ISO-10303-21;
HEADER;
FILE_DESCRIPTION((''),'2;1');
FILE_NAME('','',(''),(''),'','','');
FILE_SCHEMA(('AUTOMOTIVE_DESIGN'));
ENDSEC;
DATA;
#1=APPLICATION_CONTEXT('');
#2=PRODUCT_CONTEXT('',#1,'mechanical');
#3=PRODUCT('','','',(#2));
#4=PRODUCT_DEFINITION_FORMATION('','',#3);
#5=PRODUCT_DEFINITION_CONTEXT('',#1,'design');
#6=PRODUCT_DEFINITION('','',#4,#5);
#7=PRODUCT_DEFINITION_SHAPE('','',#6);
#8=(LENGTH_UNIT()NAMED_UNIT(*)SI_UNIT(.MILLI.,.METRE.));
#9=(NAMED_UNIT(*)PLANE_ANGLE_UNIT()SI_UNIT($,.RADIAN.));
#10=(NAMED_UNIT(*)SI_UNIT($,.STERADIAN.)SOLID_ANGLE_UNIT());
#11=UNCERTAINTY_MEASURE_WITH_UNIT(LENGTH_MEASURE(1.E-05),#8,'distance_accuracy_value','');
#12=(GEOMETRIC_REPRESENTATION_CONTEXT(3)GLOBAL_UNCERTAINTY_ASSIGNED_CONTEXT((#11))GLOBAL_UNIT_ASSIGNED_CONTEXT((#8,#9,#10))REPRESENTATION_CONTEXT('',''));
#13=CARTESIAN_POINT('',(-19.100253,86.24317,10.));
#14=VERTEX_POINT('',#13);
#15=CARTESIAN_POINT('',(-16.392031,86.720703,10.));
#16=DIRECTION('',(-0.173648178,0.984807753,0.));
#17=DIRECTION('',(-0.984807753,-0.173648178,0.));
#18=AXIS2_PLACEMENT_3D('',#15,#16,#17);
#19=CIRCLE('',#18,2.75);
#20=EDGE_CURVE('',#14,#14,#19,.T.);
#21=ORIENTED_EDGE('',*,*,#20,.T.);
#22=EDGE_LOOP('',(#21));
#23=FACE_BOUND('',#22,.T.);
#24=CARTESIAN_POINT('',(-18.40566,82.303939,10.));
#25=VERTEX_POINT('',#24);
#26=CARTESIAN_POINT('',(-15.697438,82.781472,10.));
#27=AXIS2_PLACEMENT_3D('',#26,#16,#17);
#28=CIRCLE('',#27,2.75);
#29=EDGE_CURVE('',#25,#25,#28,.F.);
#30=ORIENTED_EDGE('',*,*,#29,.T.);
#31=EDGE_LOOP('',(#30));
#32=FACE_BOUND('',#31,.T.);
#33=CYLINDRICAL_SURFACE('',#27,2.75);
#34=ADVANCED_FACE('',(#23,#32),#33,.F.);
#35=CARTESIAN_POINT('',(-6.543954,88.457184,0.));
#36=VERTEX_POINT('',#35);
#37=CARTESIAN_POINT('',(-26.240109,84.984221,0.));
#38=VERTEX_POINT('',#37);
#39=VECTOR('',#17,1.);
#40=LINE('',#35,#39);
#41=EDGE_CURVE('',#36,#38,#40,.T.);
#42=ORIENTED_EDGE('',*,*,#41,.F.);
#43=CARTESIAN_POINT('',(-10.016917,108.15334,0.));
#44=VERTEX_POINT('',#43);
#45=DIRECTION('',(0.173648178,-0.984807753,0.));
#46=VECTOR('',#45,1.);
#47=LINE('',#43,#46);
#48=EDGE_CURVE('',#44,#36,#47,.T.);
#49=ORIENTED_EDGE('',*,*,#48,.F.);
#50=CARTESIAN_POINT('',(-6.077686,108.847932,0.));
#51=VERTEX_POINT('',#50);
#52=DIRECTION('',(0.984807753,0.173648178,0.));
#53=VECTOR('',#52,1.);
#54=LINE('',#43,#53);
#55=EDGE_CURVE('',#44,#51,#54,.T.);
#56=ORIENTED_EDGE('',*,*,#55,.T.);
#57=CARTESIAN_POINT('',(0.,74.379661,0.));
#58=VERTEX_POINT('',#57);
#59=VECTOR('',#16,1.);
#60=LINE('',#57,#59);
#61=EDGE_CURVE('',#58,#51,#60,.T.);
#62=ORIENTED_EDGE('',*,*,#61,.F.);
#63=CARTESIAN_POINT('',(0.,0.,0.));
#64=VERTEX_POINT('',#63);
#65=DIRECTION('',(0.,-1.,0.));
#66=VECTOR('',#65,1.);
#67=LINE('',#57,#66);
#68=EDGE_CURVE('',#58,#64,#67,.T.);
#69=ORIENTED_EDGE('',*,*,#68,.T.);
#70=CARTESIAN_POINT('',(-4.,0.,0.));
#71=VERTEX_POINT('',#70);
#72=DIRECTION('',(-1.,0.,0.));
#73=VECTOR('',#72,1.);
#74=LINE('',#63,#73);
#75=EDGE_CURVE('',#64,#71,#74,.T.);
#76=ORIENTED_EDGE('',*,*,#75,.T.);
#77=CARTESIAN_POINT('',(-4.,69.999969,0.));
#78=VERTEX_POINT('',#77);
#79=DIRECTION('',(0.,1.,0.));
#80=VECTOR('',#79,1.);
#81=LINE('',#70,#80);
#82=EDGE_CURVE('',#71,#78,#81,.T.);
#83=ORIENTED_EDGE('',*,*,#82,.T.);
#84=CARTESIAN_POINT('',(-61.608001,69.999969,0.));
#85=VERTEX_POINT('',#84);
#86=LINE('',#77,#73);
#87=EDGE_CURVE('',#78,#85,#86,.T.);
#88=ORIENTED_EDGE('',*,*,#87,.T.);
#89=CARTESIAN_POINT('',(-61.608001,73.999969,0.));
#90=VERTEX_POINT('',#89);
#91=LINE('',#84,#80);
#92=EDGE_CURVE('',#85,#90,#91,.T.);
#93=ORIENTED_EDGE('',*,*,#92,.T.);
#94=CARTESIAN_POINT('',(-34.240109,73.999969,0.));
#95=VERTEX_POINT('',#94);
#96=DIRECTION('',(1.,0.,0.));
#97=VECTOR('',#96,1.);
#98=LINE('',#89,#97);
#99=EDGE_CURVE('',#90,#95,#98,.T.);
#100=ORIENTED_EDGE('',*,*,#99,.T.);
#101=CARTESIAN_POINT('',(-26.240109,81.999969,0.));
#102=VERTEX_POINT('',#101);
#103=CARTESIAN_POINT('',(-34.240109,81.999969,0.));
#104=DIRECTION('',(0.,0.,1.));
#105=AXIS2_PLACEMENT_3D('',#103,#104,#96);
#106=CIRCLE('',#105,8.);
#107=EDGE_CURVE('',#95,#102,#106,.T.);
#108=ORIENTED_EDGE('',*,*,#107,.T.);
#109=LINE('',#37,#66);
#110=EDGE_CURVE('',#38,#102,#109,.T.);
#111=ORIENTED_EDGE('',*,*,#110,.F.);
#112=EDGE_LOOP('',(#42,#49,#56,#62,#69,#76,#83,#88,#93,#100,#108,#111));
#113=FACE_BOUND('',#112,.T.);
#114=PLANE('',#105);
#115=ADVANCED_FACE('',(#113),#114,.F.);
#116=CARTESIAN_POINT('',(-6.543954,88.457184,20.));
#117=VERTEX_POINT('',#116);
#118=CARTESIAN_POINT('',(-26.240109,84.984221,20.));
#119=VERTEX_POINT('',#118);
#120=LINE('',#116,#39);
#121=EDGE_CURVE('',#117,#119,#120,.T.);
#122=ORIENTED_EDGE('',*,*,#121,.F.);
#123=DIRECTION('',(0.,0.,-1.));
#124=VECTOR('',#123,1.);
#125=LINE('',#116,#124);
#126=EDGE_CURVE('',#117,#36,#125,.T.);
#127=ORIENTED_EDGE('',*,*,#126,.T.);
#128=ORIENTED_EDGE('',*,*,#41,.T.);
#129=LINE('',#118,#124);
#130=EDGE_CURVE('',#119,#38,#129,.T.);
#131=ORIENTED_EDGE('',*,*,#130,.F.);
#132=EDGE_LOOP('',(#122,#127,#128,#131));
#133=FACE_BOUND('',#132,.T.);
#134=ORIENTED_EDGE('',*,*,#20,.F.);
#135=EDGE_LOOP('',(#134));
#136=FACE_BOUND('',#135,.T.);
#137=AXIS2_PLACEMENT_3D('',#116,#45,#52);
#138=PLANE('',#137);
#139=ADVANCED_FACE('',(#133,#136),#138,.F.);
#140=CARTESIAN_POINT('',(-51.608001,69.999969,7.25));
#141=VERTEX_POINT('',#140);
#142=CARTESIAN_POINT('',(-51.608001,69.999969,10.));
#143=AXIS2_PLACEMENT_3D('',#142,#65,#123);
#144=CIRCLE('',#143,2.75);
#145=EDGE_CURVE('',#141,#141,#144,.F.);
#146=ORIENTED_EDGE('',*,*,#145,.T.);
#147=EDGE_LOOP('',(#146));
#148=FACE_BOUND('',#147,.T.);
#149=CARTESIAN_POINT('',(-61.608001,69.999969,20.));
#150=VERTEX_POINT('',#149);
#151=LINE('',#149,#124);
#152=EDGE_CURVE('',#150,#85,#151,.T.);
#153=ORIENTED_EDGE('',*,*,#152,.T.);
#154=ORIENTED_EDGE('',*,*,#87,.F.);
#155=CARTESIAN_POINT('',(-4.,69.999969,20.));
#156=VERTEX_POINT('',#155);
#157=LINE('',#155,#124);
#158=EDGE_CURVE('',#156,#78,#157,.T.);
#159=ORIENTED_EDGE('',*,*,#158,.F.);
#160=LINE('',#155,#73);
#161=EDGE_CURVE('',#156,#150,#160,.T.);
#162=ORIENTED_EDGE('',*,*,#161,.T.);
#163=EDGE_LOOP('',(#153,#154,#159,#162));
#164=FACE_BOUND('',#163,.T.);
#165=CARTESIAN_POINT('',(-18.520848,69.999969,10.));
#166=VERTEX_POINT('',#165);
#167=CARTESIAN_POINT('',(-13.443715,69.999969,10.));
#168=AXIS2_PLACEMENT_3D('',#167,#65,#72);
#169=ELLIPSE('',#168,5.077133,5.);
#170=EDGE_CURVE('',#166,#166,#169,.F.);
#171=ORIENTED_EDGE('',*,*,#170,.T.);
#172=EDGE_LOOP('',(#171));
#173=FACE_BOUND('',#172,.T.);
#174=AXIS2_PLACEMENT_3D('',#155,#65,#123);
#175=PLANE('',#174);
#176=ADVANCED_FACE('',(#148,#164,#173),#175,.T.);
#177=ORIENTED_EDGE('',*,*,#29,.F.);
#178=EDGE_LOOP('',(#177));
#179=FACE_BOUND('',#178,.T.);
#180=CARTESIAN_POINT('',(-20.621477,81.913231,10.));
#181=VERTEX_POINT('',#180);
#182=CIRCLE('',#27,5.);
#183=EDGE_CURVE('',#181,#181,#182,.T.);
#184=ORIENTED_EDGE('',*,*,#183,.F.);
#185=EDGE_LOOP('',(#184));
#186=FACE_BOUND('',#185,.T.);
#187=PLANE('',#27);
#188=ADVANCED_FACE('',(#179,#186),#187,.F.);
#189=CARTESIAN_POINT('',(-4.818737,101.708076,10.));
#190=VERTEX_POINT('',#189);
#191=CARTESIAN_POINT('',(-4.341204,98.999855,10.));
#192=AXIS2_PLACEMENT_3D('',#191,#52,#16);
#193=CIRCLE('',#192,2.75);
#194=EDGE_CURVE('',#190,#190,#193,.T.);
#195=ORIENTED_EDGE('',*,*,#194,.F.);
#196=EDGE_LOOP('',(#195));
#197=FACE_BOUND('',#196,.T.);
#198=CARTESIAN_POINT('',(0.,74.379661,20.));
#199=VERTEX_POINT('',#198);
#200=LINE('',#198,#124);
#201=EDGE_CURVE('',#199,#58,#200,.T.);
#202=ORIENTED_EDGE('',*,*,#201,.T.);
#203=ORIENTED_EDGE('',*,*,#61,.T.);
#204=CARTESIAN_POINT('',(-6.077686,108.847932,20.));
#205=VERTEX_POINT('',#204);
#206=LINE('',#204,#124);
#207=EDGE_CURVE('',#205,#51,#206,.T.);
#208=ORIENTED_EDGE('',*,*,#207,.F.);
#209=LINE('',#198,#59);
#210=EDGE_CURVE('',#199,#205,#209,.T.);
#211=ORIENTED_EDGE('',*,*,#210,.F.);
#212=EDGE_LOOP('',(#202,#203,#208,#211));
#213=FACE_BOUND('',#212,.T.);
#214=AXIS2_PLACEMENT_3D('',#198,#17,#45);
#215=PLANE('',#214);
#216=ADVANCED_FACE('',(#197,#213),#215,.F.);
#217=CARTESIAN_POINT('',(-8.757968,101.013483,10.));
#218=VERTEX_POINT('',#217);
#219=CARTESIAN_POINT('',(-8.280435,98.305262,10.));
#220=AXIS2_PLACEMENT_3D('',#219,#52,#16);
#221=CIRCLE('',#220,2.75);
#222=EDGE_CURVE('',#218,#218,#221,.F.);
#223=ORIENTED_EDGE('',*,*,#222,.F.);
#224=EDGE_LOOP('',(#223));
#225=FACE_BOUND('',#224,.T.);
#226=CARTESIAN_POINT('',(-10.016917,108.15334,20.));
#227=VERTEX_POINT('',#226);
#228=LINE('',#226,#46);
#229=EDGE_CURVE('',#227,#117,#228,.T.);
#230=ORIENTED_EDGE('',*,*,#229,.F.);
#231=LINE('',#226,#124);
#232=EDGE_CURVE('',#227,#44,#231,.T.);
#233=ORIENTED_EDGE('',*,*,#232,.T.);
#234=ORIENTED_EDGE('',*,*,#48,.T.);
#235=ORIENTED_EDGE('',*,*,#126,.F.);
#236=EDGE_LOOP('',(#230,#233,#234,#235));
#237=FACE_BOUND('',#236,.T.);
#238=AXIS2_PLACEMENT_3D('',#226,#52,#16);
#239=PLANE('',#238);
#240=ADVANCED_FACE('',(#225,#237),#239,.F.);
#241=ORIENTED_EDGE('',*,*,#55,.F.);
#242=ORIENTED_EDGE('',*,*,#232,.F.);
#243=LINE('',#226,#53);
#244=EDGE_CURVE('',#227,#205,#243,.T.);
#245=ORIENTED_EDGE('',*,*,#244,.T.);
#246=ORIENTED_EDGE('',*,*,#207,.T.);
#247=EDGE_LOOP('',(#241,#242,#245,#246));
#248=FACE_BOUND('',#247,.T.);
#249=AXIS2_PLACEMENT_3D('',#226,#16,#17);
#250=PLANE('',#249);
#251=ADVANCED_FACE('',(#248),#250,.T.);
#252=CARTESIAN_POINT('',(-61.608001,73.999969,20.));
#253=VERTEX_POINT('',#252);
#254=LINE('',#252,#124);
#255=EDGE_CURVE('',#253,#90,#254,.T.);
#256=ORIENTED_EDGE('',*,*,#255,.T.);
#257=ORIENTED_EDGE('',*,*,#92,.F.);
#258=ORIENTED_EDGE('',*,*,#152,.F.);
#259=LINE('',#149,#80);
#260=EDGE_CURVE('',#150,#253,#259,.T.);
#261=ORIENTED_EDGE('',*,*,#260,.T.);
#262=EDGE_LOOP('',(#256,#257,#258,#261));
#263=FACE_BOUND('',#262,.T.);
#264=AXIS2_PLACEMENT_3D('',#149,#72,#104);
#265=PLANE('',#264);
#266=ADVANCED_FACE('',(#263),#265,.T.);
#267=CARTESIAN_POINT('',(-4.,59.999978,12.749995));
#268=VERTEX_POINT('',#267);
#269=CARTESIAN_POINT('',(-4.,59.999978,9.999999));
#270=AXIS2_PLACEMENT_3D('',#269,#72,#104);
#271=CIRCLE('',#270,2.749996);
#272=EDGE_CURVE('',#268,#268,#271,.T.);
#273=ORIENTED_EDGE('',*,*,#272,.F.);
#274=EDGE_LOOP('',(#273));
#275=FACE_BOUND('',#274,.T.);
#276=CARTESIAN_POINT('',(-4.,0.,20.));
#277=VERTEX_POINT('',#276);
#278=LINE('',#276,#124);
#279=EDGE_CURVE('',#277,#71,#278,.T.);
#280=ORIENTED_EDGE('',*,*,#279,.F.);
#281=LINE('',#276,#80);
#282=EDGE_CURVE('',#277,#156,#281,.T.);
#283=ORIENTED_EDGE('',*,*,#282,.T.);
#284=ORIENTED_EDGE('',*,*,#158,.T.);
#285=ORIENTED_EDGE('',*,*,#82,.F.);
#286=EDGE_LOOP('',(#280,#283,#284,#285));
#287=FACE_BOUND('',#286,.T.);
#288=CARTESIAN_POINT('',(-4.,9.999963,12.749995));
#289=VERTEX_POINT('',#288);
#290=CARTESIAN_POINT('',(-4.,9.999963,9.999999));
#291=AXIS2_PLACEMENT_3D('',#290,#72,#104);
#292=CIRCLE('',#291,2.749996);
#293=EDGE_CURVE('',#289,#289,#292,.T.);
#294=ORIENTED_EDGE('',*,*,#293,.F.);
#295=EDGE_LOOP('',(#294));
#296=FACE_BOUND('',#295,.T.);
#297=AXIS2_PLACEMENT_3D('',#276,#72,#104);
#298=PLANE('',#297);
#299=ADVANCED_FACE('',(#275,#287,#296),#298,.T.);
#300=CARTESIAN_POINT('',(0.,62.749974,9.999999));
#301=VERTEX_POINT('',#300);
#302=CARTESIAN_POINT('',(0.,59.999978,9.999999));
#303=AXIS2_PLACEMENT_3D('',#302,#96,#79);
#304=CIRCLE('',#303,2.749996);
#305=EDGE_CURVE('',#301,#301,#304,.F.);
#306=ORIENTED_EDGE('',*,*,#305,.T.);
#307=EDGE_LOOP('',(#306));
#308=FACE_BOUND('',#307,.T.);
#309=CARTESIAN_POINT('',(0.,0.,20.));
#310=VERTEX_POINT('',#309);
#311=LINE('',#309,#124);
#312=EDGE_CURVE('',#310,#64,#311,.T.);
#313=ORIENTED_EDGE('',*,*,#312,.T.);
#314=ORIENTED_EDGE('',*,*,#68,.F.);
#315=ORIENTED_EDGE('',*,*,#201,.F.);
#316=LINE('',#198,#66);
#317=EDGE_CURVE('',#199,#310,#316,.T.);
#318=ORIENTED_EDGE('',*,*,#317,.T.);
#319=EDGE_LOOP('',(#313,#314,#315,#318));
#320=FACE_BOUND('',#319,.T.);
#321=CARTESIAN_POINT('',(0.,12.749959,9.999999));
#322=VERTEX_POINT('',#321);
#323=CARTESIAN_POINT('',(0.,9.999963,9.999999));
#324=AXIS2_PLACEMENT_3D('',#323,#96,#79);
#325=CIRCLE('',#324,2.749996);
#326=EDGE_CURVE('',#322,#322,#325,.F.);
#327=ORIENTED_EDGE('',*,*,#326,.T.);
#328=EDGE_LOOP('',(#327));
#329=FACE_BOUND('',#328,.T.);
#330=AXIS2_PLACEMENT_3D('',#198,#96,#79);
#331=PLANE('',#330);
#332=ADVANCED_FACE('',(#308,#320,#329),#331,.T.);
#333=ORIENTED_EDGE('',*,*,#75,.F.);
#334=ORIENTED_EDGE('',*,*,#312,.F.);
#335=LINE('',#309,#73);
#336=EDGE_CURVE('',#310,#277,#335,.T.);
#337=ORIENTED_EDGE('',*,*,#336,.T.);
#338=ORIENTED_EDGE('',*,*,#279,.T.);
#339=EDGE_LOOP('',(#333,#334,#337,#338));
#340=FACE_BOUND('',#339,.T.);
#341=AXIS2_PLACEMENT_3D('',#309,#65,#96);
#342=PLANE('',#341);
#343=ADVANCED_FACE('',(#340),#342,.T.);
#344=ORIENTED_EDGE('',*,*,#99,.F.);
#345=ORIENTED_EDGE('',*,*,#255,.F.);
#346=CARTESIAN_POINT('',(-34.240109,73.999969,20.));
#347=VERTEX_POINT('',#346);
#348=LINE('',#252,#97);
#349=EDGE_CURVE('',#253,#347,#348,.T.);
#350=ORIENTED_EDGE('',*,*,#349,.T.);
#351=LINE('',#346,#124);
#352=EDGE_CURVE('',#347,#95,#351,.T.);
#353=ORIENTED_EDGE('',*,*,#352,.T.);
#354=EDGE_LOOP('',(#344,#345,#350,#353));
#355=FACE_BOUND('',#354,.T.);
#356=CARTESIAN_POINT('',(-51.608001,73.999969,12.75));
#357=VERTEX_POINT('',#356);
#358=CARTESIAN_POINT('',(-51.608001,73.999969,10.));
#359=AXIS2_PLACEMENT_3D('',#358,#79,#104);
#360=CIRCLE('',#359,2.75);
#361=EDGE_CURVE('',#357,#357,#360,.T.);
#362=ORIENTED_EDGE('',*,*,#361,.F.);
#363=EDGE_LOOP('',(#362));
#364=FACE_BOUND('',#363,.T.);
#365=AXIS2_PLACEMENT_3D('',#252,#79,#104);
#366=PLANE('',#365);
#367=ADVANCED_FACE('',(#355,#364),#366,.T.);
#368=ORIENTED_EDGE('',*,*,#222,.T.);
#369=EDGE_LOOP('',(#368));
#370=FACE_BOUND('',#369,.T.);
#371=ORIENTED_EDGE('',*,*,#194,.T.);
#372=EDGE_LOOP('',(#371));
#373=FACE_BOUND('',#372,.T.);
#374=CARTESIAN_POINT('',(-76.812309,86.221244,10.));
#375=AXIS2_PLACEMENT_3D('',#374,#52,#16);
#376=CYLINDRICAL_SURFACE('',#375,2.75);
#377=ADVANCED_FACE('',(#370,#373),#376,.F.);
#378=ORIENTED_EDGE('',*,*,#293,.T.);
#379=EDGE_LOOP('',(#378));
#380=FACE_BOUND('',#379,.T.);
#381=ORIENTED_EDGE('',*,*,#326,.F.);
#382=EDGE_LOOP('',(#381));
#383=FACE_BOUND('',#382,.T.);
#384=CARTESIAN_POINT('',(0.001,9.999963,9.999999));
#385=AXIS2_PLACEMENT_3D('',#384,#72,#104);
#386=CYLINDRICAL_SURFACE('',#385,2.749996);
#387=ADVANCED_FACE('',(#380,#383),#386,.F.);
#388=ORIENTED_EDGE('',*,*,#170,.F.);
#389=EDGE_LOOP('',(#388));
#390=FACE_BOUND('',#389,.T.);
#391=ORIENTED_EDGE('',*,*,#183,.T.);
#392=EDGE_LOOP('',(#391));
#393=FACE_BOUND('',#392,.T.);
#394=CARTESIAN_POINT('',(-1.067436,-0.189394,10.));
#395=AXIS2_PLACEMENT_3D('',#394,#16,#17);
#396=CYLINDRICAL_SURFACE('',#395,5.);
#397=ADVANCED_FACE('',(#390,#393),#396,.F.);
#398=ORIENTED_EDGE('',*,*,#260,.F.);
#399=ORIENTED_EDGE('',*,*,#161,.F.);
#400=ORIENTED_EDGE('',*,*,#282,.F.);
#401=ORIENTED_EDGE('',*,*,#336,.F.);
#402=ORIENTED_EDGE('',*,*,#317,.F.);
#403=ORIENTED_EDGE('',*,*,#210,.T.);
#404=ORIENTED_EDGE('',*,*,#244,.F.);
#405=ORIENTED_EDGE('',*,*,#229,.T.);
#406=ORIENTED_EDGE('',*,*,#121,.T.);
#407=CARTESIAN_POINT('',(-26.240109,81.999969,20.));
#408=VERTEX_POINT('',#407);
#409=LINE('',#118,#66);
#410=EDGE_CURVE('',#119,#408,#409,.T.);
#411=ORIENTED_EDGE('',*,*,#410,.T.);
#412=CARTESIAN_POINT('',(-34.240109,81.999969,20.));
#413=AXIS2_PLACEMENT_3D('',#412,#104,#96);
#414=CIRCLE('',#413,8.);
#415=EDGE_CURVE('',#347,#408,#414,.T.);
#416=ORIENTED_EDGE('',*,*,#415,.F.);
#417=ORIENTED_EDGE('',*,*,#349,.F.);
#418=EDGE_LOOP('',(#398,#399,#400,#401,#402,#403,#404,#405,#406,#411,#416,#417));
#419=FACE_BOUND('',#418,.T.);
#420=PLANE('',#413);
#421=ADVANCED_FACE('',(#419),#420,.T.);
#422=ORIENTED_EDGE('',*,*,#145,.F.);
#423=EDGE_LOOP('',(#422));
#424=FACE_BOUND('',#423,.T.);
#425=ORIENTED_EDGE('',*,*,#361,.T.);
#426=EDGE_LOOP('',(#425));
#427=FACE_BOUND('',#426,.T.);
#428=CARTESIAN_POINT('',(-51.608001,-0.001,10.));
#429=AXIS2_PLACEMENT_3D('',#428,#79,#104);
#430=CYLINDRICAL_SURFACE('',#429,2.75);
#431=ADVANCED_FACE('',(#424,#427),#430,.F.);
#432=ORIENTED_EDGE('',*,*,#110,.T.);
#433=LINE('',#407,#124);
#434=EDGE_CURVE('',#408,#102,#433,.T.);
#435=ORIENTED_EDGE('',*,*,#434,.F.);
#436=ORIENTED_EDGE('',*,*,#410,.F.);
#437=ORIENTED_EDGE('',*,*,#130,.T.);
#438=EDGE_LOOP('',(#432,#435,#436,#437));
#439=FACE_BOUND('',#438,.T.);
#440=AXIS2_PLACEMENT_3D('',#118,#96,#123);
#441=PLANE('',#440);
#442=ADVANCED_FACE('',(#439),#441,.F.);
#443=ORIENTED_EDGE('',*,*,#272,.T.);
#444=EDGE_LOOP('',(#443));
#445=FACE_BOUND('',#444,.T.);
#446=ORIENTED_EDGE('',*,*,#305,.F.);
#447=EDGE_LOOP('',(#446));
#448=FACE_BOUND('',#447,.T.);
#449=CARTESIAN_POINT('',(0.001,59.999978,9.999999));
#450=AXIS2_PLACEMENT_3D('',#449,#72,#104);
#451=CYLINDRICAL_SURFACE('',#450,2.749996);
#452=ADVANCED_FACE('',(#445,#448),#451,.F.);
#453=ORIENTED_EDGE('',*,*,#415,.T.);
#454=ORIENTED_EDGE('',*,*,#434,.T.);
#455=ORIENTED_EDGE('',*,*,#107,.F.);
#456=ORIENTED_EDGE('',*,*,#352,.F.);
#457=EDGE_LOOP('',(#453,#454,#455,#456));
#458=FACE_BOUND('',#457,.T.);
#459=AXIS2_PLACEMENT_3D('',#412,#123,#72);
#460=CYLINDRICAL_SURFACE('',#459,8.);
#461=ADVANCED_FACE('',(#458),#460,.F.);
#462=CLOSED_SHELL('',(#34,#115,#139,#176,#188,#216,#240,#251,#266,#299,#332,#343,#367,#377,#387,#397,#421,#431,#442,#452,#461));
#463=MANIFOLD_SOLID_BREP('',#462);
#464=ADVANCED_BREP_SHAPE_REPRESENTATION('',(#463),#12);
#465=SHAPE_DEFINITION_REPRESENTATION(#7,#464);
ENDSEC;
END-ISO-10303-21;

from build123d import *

# Parameters (mm, degrees)
BOSS_EXTRUDE1_DEPTH = 20
CUT_EXTRUDE5_REACH  = 126.766
SKETCH6_R           = 2.74999595
CUT_EXTRUDE10_REACH = 133.489
SKETCH11_R          = 2.75
CUT_EXTRUDE11_REACH = 100.344
SKETCH12_R          = 2.75
SKETCH13_R          = 2.75
CUT_EXTRUDE12_DEPTH = 4
CUT_EXTRUDE13_REACH = 99.421
SKETCH14_R          = 5


with BuildPart() as part:
    # Sketch1 → Boss-Extrude1 (new body)
    with BuildSketch(Plane.XY):
        with BuildLine():
            Line((0, 74.379660875), (-6.077686218, 108.84793223))
            Line((-6.077686218, 108.84793223), (-10.01691723, 108.153339519))
            Line((-10.01691723, 108.153339519), (-6.543953677, 88.457184459))
            Line((-6.543953677, 88.457184459), (-26.240108737, 84.984220906))
            Line((-26.240108737, 84.984220906), (-26.240108737, 81.999969263))
            ThreePointArc((-26.240108737, 81.999969263), (-28.583254488, 76.343115014), (-34.240108737, 73.999969263))
            Line((-34.240108737, 73.999969263), (-61.608001, 73.999969263))
            Line((-61.608001, 73.999969263), (-61.608001, 69.999969263))
            Line((-61.608001, 69.999969263), (-4, 69.999969263))
            Line((-4, 69.999969263), (-4, 0))
            Line((-4, 0), (0, 0))
            Line((0, 0), (0, 74.379660875))
        make_face()
    extrude(amount=BOSS_EXTRUDE1_DEPTH)

    # Sketch6 → Cut-Extrude5 (cut, up to next)
    with BuildSketch(Plane.ZY.offset(4), mode=Mode.PRIVATE) as cut_extrude5_sk1:
        with Locations((9.9999995, 59.999977673)):
            Circle(SKETCH6_R)
    cut_extrude5_tool1 = extrude(cut_extrude5_sk1.sketch, amount=-CUT_EXTRUDE5_REACH, mode=Mode.PRIVATE) & part.part
    # Sketch6 → Cut-Extrude5 (cut, up to next)
    with BuildSketch(Plane.ZY.offset(4), mode=Mode.PRIVATE) as cut_extrude5_sk2:
        with Locations((9.9999995, 9.999962864)):
            Circle(SKETCH6_R)
    cut_extrude5_tool2 = extrude(cut_extrude5_sk2.sketch, amount=-CUT_EXTRUDE5_REACH, mode=Mode.PRIVATE) & part.part
    add(cut_extrude5_tool1.solids().sort_by_distance((-4, 59.999978, 9.999999))[0], mode=Mode.SUBTRACT)
    add(cut_extrude5_tool2.solids().sort_by_distance((-4, 9.999963, 9.999999))[0], mode=Mode.SUBTRACT)

    # Sketch11 → Cut-Extrude10 (cut, up to next)
    with BuildSketch(Plane(origin=(12.719671136, 2.242821207, 0), x_dir=(0, 0, -1), z_dir=(0.9848077530122074, 0.1736481776669349, 0)), mode=Mode.PRIVATE) as cut_extrude10_sk1:
        with Locations(Location((-10, 98.249666696, 0), (0, 0, 90))):
            Circle(SKETCH11_R)
    cut_extrude10_tool1 = extrude(cut_extrude10_sk1.sketch, amount=-CUT_EXTRUDE10_REACH, mode=Mode.PRIVATE) & part.part
    add(cut_extrude10_tool1.solids().sort_by_distance((-4.341204, 98.999855, 10))[0], mode=Mode.SUBTRACT)

    # Sketch12 → Cut-Extrude11 (cut, up to next)
    with BuildSketch(Plane(origin=(0, 73.999969263, 0), x_dir=(1, 0, 0), z_dir=(0, 1, 0)), mode=Mode.PRIVATE) as cut_extrude11_sk1:
        with Locations(Location((-51.608001, -10, 0), (0, 0, 270))):
            Circle(SKETCH12_R)
    cut_extrude11_tool1 = extrude(cut_extrude11_sk1.sketch, amount=-CUT_EXTRUDE11_REACH, mode=Mode.PRIVATE) & part.part
    add(cut_extrude11_tool1.solids().sort_by_distance((-51.608001, 73.999969, 10))[0], mode=Mode.SUBTRACT)

    # Sketch13 → Cut-Extrude12 (cut)
    with BuildSketch(Plane(origin=(-15.324393801, 86.908955963, 0), x_dir=(0.9848077530122072, 0.17364817766693516, 0), z_dir=(-0.1736481776669352, 0.9848077530122074, 0))):
        with Locations(Location((-1.084107434, -10, 0), (0, 0, 180))):
            Circle(SKETCH13_R)
    extrude(amount=-CUT_EXTRUDE12_DEPTH, mode=Mode.SUBTRACT)

    # Cut-Extrude13: up to this plane
    cut_extrude13_end = Plane(origin=(-4, 69.999969263, 20), z_dir=(0, -1, 0))
    # Sketch14 → Cut-Extrude13 (cut, up to the surface)
    with BuildSketch(Plane(origin=(-14.629801091, 82.969724951, 0), x_dir=(0.9848077530122072, 0.17364817766693522, 0), z_dir=(-0.17364817766693524, 0.9848077530122074, 0)), mode=Mode.PRIVATE) as cut_extrude13_sk1:
        with Locations(Location((-1.084107434, -10, 0), (0, 0, 180))):
            Circle(SKETCH14_R)
    cut_extrude13_tool1 = split(extrude(cut_extrude13_sk1.sketch, amount=-CUT_EXTRUDE13_REACH, mode=Mode.PRIVATE), bisect_by=cut_extrude13_end, keep=Keep.BOTH, mode=Mode.PRIVATE)
    add(cut_extrude13_tool1.solids().sort_by_distance((-15.697438, 82.781472, 10))[0], mode=Mode.SUBTRACT)


solid = part.part
